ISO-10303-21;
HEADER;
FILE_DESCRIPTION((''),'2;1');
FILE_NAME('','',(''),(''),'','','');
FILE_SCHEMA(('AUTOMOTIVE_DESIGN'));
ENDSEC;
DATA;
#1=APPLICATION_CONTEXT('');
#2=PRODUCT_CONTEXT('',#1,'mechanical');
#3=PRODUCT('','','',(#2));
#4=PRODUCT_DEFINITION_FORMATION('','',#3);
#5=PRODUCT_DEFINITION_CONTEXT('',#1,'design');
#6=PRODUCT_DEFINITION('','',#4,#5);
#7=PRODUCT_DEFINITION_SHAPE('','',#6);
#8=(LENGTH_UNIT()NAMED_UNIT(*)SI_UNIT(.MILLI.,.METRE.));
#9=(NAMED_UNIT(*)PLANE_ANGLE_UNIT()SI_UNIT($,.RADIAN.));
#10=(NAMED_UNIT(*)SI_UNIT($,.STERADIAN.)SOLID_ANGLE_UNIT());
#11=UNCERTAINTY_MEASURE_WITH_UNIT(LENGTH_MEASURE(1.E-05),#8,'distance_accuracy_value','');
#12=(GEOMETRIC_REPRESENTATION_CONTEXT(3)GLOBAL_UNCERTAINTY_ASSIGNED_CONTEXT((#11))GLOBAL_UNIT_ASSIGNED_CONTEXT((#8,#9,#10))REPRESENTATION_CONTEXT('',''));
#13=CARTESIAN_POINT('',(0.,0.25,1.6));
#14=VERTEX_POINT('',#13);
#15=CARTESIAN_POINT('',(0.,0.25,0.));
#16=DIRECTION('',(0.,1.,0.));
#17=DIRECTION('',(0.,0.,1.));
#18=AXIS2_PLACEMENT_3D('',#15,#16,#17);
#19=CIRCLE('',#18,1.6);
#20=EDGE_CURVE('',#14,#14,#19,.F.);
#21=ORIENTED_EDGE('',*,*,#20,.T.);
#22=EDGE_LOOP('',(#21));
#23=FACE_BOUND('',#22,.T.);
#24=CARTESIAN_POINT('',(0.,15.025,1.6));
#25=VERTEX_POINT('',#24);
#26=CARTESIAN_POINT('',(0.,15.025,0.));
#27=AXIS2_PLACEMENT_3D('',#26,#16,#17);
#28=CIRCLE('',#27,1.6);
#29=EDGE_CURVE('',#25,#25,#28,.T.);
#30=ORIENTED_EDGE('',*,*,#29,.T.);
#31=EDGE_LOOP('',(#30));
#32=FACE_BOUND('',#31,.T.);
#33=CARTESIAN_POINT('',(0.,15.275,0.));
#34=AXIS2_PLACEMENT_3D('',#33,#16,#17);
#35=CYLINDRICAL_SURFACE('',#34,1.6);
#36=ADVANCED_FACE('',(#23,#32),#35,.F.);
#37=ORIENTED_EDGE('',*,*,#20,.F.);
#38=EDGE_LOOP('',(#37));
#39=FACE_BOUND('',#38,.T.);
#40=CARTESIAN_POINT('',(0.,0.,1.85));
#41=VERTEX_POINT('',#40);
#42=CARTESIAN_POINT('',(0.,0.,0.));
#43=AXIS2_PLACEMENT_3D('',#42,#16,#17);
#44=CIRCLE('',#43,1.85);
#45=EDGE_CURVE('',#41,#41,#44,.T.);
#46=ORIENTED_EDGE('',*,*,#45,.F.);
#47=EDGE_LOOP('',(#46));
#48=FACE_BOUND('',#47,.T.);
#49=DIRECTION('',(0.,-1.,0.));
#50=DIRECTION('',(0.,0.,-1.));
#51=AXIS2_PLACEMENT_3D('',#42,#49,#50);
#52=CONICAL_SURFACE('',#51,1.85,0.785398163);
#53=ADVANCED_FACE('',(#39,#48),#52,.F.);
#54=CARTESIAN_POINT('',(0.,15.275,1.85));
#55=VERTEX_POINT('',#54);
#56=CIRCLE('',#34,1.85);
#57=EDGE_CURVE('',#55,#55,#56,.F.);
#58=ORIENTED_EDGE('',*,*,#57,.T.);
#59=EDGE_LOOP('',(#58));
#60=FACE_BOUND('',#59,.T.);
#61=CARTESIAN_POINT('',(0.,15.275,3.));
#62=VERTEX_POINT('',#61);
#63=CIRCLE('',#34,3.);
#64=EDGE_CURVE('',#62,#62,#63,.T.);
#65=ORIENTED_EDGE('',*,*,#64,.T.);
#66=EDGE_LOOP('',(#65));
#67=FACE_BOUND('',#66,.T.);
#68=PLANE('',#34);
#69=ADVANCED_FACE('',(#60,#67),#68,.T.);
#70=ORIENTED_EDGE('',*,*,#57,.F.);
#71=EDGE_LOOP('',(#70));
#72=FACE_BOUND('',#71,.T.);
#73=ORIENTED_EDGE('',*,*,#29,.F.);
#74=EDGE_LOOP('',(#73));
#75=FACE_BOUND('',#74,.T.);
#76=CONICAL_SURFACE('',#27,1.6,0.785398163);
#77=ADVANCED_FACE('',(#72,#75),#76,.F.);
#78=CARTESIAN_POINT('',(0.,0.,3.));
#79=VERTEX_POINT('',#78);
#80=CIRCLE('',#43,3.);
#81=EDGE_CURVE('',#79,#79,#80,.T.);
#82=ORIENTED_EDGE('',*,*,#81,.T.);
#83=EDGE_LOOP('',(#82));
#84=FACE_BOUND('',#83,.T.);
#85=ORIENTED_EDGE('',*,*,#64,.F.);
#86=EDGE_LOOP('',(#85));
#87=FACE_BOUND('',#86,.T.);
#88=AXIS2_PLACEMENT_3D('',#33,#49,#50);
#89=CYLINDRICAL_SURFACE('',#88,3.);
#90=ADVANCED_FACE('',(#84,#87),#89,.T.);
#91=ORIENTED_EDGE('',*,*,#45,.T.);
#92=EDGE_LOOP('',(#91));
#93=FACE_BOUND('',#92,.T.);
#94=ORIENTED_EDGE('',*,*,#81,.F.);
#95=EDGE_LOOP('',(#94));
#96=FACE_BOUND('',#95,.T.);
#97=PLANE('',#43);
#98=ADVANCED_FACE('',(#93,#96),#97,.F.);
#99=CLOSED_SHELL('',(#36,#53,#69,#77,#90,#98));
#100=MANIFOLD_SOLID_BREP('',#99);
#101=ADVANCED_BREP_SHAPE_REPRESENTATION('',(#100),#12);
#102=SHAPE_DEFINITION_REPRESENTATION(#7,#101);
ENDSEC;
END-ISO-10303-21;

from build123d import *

# Parameters (mm, degrees)
SKETCH1_R            = 3
BOSS_EXTRUDE1_DEPTH  = 15.275
M3_CLEARANCE_HOLE1_D = 3.2
CHAMFER1_SIZE        = 0.25


with BuildPart() as part:
    # Sketch1 → Boss-Extrude1 (new body)
    with BuildSketch(Plane(origin=(0, 0, 0), x_dir=(1, 0, 0), z_dir=(0, 1, 0))):
        with Locations(Location((0, 0, 0), (0, 0, 270))):
            Circle(SKETCH1_R)
    extrude(amount=BOSS_EXTRUDE1_DEPTH)

    # M3 Clearance Hole1 (through all)
    with Locations(Plane(origin=(0, 15.275, 0), x_dir=(1, 0, 0), z_dir=(0, 1, 0))):
        with Locations((0, 0)):
            Hole(M3_CLEARANCE_HOLE1_D / 2)

    # Chamfer1
    chamfer1_edges = [part.edges().sort_by_distance(p)[0] for p in [
        (1.6, 15.275, 0),
        (1.6, 0, 0),
    ]]
    chamfer(chamfer1_edges, length=CHAMFER1_SIZE)


solid = part.part
